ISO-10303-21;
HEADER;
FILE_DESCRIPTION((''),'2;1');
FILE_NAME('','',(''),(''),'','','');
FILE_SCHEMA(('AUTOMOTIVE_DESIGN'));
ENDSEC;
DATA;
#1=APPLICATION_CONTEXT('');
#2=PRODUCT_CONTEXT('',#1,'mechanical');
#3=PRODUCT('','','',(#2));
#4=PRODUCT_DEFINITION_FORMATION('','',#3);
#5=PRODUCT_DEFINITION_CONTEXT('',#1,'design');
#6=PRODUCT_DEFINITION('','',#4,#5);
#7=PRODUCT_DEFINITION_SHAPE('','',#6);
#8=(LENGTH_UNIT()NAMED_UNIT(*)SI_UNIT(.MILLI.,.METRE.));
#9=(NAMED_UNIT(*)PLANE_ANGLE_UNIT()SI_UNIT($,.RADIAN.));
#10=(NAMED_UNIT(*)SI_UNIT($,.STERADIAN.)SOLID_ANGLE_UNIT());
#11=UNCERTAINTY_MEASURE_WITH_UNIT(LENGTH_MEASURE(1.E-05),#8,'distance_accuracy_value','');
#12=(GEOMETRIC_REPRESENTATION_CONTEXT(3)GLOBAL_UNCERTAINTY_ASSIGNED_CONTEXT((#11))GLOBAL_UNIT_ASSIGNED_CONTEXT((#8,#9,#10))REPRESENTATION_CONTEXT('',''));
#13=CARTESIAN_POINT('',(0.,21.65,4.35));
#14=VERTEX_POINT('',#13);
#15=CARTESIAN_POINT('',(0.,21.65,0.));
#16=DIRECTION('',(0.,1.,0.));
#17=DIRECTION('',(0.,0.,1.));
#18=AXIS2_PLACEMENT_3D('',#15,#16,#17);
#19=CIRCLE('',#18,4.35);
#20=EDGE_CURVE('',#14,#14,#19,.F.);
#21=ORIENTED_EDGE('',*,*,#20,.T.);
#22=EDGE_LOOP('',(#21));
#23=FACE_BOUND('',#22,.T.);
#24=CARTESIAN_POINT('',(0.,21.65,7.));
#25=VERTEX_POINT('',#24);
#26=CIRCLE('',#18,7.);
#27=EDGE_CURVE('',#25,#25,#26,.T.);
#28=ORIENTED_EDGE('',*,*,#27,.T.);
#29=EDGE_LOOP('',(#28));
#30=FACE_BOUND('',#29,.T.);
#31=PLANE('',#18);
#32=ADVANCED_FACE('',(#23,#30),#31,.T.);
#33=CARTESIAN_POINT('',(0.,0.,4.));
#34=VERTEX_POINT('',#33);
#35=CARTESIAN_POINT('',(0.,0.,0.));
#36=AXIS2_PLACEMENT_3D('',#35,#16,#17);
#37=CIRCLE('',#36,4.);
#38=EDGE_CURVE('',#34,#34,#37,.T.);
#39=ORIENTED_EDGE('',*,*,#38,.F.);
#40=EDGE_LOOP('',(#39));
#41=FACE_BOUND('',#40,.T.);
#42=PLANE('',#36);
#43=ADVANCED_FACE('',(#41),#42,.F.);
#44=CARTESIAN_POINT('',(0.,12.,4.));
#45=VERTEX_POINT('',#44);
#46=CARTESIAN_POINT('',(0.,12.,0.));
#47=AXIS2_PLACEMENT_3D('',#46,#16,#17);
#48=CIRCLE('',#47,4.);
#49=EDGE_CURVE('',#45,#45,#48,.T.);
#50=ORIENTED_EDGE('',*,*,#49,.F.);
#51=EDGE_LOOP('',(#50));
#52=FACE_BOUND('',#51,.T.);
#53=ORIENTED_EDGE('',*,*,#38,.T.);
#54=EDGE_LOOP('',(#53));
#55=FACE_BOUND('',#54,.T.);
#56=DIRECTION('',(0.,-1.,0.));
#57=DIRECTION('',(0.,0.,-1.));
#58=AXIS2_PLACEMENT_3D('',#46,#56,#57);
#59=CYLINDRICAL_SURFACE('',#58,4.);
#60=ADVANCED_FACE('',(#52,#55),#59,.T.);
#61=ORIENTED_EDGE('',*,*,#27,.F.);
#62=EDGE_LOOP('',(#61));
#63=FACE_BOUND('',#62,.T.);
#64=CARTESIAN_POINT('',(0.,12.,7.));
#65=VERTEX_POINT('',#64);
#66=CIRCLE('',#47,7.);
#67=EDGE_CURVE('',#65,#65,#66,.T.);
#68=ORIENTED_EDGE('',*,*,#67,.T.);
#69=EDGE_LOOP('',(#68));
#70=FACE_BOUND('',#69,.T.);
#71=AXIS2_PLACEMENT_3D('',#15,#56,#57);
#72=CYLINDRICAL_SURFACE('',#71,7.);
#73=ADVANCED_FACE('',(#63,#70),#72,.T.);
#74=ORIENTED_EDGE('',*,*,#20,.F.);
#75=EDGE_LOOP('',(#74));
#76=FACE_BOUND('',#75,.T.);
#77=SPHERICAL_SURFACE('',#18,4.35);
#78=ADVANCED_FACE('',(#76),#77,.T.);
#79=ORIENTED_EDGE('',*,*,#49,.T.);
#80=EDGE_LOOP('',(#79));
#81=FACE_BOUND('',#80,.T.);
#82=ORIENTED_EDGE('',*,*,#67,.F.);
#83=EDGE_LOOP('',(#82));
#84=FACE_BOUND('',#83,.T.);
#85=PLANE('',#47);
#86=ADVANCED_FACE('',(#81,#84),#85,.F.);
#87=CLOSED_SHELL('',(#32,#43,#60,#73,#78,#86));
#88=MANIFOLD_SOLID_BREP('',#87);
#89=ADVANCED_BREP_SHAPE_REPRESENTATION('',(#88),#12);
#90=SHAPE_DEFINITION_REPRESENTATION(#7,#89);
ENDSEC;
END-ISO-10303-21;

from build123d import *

# Parameters (mm, degrees)
SKETCH_1_R      = 4
EXTRUDE_1_DEPTH = 12
SKETCH_2_R      = 7
EXTRUDE_2_DEPTH = 9.65


with BuildPart() as part:
    # 草图1 → 凸台-拉伸1 (new body)
    with BuildSketch(Plane(origin=(0, 0, 0), x_dir=(1, 0, 0), z_dir=(0, 1, 0))):
        with Locations(Location((0, 0, 0), (0, 0, 270))):
            Circle(SKETCH_1_R)
    extrude(amount=EXTRUDE_1_DEPTH)

    # 草图2 → 凸台-拉伸2 (add)
    with BuildSketch(Plane(origin=(0, 12, 0), x_dir=(1, 0, 0), z_dir=(0, 1, 0))):
        with Locations(Location((0, 0, 0), (0, 0, 270))):
            Circle(SKETCH_2_R)
    extrude(amount=EXTRUDE_2_DEPTH)

    # 草图3 → 旋转1 (revolve)
    with BuildSketch(Plane(origin=(0, 21.65, 0), x_dir=(1, 0, 0), z_dir=(0, 1, 0))):
        with BuildLine():
            Line((0, 4.35), (0, -4.35))
            ThreePointArc((0, -4.35), (4.35, 0), (0, 4.35))
        make_face()
    revolve(axis=Axis((0, 21.65, -4.35), (0, 0, 1)))


solid = part.part
